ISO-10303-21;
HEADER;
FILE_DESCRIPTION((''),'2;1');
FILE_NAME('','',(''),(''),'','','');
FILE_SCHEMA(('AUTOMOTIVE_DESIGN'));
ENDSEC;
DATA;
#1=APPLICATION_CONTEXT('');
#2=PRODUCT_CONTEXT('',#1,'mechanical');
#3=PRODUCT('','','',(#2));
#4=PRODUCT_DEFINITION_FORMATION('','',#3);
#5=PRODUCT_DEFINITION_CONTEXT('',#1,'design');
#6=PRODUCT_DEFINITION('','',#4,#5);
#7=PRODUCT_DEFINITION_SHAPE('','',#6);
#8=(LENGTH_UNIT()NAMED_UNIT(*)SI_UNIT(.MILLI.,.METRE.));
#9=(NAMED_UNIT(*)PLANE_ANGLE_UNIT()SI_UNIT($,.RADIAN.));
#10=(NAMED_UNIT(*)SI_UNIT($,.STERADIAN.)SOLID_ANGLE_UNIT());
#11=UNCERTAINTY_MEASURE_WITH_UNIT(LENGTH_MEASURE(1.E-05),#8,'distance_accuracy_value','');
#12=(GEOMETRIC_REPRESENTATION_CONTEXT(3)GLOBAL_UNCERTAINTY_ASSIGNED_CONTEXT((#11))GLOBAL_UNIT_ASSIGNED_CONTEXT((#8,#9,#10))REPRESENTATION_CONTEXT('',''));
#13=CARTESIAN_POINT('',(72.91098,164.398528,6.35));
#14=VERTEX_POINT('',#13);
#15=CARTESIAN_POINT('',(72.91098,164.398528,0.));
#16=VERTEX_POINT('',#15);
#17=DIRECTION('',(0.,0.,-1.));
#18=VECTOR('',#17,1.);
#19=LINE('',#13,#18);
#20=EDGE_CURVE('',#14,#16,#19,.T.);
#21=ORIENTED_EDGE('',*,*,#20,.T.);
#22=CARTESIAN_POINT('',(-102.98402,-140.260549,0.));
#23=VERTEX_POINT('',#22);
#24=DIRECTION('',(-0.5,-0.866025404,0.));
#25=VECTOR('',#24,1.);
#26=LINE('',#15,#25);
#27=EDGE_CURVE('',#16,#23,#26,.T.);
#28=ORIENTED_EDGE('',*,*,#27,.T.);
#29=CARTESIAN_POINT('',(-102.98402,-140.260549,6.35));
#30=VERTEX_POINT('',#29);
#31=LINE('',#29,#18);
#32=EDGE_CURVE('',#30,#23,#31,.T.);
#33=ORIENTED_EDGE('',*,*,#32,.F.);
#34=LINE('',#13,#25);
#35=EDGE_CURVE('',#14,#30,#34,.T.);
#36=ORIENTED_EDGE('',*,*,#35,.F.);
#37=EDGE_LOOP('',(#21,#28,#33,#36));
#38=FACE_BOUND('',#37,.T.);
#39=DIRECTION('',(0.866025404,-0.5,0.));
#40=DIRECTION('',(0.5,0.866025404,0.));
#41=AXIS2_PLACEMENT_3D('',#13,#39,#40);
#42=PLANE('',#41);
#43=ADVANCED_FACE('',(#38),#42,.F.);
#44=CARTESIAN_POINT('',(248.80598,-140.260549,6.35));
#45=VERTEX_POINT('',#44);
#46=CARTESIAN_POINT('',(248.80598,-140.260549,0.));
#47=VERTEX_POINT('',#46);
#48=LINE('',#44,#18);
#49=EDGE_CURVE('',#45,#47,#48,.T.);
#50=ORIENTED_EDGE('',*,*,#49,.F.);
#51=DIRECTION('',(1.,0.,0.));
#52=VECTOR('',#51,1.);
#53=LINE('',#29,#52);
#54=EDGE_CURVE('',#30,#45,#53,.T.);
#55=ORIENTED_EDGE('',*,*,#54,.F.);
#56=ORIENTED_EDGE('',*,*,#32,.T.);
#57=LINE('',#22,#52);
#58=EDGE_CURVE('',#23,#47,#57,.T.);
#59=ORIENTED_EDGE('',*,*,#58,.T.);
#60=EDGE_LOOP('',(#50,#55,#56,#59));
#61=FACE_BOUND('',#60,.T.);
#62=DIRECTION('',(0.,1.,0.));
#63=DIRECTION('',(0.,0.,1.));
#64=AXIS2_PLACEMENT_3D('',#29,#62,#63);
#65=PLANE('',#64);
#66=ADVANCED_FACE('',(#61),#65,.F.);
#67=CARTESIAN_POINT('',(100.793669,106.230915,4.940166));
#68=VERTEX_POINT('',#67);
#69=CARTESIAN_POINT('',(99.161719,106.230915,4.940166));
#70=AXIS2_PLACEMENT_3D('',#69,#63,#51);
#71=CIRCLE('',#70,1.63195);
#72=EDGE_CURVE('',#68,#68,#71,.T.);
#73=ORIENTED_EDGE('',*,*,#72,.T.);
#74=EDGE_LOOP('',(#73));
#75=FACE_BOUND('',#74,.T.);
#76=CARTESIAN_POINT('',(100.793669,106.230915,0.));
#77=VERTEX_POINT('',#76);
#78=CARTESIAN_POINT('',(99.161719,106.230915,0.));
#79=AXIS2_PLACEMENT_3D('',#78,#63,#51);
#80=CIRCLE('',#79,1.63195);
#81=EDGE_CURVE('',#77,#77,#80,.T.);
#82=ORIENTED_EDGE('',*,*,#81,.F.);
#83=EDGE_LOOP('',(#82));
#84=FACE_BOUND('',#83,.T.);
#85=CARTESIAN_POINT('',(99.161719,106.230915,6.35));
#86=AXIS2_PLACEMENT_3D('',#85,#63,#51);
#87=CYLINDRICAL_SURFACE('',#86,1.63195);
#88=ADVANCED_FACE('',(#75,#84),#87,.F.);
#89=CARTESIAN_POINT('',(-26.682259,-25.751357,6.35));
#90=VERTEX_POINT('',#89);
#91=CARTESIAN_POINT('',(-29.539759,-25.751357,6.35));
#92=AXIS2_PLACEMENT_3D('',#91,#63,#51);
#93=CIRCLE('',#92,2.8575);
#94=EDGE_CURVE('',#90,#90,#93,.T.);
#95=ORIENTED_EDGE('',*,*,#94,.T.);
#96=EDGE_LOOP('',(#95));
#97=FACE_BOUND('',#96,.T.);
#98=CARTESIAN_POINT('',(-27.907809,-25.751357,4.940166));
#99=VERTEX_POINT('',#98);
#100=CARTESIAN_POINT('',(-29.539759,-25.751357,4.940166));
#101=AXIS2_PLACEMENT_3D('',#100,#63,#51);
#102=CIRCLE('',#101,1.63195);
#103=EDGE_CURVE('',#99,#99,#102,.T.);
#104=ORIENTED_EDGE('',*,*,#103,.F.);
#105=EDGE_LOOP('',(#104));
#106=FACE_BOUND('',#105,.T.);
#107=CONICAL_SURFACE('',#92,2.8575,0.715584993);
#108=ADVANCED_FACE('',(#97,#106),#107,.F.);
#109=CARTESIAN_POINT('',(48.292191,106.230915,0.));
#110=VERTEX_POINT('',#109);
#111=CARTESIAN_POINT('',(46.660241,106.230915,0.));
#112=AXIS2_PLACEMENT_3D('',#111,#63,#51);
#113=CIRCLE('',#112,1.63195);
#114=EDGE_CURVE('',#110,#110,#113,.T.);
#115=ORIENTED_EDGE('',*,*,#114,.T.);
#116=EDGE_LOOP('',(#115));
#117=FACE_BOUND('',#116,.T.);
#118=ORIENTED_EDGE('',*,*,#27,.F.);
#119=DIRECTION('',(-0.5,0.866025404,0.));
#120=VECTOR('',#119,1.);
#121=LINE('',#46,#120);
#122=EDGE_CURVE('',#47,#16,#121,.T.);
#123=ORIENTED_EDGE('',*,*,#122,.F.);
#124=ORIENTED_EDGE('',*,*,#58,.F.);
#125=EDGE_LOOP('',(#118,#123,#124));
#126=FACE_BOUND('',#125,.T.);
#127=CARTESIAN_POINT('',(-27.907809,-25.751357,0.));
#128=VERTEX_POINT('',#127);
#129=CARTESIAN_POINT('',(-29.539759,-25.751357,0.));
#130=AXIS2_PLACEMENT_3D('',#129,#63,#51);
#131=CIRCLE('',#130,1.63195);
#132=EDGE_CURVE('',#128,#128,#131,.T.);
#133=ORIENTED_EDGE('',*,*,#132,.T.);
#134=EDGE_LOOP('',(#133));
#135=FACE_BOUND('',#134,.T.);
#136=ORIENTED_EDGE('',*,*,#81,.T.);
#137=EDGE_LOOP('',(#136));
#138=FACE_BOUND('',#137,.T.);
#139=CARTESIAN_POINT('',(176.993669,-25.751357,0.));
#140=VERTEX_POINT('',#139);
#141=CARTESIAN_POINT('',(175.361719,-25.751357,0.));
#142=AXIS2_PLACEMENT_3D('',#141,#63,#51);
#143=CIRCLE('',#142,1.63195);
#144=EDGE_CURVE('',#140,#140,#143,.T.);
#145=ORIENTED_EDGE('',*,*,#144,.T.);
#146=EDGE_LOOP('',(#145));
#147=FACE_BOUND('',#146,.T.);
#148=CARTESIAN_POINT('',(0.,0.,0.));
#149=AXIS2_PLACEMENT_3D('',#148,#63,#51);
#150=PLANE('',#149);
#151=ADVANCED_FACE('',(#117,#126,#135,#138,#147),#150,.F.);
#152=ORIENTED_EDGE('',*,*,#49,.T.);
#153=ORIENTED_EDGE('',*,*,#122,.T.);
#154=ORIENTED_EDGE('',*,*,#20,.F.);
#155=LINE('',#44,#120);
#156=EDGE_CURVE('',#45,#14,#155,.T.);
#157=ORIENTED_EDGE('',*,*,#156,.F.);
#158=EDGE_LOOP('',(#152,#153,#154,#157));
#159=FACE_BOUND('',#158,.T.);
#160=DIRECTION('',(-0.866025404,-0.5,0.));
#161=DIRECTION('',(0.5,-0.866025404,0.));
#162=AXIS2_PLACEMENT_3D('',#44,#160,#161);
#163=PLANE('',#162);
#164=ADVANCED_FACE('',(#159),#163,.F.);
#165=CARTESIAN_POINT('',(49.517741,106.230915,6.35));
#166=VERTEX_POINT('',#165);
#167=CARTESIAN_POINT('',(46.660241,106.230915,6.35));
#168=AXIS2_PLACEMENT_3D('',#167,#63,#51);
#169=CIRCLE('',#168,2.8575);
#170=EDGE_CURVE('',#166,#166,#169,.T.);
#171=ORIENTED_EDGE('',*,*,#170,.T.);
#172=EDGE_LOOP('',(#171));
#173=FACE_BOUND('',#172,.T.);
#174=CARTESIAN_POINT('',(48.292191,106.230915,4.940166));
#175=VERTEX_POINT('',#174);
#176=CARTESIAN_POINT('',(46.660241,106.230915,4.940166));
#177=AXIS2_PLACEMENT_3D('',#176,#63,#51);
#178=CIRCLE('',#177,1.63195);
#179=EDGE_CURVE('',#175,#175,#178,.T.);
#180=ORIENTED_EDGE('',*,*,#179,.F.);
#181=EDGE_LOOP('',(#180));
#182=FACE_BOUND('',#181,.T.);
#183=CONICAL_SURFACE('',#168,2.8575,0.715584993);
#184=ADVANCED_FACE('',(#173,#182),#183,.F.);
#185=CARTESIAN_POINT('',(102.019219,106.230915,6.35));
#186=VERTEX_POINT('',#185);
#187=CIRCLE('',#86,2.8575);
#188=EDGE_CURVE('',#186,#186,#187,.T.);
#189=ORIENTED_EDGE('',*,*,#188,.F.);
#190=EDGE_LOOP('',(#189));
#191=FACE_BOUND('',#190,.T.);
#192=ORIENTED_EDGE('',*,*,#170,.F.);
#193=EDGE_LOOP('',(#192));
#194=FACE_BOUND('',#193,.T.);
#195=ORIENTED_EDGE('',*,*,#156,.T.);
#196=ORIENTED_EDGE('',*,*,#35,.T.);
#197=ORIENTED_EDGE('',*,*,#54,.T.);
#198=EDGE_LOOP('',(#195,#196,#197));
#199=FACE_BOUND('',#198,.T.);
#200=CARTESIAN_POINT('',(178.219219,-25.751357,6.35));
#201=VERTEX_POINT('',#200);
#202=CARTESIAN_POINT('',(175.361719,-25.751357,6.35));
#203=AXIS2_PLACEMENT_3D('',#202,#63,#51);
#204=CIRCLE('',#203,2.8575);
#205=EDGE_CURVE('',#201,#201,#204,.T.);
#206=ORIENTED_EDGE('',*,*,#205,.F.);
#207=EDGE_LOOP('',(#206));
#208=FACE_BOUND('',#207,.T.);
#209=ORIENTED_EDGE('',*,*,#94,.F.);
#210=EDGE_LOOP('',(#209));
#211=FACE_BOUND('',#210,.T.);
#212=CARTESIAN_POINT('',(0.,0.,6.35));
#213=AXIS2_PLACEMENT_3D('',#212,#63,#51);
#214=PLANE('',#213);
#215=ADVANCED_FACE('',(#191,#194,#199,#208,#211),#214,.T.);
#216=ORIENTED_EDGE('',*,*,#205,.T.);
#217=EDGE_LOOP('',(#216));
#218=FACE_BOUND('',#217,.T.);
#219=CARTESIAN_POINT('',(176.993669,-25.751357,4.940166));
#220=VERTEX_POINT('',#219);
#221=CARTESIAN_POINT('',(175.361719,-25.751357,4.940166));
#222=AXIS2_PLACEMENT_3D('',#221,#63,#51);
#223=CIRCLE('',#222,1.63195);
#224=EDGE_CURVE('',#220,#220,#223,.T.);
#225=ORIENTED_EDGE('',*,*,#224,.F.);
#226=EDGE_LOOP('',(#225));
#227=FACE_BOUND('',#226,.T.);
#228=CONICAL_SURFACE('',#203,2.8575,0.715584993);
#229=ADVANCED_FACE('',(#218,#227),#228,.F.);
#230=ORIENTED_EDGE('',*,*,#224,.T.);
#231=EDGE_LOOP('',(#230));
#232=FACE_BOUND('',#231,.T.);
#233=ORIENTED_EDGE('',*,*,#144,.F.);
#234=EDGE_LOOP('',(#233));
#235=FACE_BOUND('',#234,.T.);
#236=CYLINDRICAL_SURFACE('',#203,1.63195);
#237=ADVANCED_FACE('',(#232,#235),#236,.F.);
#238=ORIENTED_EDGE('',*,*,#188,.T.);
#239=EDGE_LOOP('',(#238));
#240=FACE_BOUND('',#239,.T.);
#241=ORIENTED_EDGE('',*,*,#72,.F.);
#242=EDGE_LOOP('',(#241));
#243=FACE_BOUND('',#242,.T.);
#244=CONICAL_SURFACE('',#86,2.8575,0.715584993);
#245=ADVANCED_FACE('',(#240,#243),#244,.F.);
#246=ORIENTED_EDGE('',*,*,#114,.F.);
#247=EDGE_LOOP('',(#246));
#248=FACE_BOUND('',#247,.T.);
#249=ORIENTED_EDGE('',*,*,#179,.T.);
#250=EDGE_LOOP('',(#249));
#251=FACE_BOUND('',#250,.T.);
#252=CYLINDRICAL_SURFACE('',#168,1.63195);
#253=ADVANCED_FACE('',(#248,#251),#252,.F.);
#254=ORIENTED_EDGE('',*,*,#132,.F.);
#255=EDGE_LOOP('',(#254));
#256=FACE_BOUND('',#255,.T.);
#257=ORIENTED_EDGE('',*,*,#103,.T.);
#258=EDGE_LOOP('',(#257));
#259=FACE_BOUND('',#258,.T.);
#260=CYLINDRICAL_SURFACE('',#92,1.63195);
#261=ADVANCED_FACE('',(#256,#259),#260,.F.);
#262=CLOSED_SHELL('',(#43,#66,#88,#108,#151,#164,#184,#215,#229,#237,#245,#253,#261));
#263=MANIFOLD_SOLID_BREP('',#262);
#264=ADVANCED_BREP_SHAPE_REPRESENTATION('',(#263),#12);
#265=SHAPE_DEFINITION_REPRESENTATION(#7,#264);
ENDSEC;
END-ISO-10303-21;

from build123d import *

# Parameters (mm, degrees)
BOSS_EXTRUDE1_DEPTH                            = 6.35
CSK_FOR_4_FLAT_HEAD_MACHINE_SCREW1_D           = 3.2639
CSK_FOR_4_FLAT_HEAD_MACHINE_SCREW1_CSINK_D     = 5.715
CSK_FOR_4_FLAT_HEAD_MACHINE_SCREW1_CSINK_ANGLE = 82


with BuildPart() as part:
    # Sketch1 → Boss-Extrude1 (new body)
    with BuildSketch(Plane.XY):
        Polygon((72.910979943, 164.398527709), (-102.984020057, -140.260549088), (248.805979943, -140.260549088), align=None)
    extrude(amount=BOSS_EXTRUDE1_DEPTH)

    # CSK for #4 Flat Head Machine Screw1 (through all)
    with Locations(Plane(origin=(46.660241257, 106.230914569, 6.35), x_dir=(1, 0, 0), z_dir=(0, 0, 1))):
        with Locations((0, 0), (-76.2, -131.982271537), (52.501477372, 0), (128.701477372, -131.982271537)):
            CounterSinkHole(CSK_FOR_4_FLAT_HEAD_MACHINE_SCREW1_D / 2, CSK_FOR_4_FLAT_HEAD_MACHINE_SCREW1_CSINK_D / 2, counter_sink_angle=CSK_FOR_4_FLAT_HEAD_MACHINE_SCREW1_CSINK_ANGLE)


solid = part.part
